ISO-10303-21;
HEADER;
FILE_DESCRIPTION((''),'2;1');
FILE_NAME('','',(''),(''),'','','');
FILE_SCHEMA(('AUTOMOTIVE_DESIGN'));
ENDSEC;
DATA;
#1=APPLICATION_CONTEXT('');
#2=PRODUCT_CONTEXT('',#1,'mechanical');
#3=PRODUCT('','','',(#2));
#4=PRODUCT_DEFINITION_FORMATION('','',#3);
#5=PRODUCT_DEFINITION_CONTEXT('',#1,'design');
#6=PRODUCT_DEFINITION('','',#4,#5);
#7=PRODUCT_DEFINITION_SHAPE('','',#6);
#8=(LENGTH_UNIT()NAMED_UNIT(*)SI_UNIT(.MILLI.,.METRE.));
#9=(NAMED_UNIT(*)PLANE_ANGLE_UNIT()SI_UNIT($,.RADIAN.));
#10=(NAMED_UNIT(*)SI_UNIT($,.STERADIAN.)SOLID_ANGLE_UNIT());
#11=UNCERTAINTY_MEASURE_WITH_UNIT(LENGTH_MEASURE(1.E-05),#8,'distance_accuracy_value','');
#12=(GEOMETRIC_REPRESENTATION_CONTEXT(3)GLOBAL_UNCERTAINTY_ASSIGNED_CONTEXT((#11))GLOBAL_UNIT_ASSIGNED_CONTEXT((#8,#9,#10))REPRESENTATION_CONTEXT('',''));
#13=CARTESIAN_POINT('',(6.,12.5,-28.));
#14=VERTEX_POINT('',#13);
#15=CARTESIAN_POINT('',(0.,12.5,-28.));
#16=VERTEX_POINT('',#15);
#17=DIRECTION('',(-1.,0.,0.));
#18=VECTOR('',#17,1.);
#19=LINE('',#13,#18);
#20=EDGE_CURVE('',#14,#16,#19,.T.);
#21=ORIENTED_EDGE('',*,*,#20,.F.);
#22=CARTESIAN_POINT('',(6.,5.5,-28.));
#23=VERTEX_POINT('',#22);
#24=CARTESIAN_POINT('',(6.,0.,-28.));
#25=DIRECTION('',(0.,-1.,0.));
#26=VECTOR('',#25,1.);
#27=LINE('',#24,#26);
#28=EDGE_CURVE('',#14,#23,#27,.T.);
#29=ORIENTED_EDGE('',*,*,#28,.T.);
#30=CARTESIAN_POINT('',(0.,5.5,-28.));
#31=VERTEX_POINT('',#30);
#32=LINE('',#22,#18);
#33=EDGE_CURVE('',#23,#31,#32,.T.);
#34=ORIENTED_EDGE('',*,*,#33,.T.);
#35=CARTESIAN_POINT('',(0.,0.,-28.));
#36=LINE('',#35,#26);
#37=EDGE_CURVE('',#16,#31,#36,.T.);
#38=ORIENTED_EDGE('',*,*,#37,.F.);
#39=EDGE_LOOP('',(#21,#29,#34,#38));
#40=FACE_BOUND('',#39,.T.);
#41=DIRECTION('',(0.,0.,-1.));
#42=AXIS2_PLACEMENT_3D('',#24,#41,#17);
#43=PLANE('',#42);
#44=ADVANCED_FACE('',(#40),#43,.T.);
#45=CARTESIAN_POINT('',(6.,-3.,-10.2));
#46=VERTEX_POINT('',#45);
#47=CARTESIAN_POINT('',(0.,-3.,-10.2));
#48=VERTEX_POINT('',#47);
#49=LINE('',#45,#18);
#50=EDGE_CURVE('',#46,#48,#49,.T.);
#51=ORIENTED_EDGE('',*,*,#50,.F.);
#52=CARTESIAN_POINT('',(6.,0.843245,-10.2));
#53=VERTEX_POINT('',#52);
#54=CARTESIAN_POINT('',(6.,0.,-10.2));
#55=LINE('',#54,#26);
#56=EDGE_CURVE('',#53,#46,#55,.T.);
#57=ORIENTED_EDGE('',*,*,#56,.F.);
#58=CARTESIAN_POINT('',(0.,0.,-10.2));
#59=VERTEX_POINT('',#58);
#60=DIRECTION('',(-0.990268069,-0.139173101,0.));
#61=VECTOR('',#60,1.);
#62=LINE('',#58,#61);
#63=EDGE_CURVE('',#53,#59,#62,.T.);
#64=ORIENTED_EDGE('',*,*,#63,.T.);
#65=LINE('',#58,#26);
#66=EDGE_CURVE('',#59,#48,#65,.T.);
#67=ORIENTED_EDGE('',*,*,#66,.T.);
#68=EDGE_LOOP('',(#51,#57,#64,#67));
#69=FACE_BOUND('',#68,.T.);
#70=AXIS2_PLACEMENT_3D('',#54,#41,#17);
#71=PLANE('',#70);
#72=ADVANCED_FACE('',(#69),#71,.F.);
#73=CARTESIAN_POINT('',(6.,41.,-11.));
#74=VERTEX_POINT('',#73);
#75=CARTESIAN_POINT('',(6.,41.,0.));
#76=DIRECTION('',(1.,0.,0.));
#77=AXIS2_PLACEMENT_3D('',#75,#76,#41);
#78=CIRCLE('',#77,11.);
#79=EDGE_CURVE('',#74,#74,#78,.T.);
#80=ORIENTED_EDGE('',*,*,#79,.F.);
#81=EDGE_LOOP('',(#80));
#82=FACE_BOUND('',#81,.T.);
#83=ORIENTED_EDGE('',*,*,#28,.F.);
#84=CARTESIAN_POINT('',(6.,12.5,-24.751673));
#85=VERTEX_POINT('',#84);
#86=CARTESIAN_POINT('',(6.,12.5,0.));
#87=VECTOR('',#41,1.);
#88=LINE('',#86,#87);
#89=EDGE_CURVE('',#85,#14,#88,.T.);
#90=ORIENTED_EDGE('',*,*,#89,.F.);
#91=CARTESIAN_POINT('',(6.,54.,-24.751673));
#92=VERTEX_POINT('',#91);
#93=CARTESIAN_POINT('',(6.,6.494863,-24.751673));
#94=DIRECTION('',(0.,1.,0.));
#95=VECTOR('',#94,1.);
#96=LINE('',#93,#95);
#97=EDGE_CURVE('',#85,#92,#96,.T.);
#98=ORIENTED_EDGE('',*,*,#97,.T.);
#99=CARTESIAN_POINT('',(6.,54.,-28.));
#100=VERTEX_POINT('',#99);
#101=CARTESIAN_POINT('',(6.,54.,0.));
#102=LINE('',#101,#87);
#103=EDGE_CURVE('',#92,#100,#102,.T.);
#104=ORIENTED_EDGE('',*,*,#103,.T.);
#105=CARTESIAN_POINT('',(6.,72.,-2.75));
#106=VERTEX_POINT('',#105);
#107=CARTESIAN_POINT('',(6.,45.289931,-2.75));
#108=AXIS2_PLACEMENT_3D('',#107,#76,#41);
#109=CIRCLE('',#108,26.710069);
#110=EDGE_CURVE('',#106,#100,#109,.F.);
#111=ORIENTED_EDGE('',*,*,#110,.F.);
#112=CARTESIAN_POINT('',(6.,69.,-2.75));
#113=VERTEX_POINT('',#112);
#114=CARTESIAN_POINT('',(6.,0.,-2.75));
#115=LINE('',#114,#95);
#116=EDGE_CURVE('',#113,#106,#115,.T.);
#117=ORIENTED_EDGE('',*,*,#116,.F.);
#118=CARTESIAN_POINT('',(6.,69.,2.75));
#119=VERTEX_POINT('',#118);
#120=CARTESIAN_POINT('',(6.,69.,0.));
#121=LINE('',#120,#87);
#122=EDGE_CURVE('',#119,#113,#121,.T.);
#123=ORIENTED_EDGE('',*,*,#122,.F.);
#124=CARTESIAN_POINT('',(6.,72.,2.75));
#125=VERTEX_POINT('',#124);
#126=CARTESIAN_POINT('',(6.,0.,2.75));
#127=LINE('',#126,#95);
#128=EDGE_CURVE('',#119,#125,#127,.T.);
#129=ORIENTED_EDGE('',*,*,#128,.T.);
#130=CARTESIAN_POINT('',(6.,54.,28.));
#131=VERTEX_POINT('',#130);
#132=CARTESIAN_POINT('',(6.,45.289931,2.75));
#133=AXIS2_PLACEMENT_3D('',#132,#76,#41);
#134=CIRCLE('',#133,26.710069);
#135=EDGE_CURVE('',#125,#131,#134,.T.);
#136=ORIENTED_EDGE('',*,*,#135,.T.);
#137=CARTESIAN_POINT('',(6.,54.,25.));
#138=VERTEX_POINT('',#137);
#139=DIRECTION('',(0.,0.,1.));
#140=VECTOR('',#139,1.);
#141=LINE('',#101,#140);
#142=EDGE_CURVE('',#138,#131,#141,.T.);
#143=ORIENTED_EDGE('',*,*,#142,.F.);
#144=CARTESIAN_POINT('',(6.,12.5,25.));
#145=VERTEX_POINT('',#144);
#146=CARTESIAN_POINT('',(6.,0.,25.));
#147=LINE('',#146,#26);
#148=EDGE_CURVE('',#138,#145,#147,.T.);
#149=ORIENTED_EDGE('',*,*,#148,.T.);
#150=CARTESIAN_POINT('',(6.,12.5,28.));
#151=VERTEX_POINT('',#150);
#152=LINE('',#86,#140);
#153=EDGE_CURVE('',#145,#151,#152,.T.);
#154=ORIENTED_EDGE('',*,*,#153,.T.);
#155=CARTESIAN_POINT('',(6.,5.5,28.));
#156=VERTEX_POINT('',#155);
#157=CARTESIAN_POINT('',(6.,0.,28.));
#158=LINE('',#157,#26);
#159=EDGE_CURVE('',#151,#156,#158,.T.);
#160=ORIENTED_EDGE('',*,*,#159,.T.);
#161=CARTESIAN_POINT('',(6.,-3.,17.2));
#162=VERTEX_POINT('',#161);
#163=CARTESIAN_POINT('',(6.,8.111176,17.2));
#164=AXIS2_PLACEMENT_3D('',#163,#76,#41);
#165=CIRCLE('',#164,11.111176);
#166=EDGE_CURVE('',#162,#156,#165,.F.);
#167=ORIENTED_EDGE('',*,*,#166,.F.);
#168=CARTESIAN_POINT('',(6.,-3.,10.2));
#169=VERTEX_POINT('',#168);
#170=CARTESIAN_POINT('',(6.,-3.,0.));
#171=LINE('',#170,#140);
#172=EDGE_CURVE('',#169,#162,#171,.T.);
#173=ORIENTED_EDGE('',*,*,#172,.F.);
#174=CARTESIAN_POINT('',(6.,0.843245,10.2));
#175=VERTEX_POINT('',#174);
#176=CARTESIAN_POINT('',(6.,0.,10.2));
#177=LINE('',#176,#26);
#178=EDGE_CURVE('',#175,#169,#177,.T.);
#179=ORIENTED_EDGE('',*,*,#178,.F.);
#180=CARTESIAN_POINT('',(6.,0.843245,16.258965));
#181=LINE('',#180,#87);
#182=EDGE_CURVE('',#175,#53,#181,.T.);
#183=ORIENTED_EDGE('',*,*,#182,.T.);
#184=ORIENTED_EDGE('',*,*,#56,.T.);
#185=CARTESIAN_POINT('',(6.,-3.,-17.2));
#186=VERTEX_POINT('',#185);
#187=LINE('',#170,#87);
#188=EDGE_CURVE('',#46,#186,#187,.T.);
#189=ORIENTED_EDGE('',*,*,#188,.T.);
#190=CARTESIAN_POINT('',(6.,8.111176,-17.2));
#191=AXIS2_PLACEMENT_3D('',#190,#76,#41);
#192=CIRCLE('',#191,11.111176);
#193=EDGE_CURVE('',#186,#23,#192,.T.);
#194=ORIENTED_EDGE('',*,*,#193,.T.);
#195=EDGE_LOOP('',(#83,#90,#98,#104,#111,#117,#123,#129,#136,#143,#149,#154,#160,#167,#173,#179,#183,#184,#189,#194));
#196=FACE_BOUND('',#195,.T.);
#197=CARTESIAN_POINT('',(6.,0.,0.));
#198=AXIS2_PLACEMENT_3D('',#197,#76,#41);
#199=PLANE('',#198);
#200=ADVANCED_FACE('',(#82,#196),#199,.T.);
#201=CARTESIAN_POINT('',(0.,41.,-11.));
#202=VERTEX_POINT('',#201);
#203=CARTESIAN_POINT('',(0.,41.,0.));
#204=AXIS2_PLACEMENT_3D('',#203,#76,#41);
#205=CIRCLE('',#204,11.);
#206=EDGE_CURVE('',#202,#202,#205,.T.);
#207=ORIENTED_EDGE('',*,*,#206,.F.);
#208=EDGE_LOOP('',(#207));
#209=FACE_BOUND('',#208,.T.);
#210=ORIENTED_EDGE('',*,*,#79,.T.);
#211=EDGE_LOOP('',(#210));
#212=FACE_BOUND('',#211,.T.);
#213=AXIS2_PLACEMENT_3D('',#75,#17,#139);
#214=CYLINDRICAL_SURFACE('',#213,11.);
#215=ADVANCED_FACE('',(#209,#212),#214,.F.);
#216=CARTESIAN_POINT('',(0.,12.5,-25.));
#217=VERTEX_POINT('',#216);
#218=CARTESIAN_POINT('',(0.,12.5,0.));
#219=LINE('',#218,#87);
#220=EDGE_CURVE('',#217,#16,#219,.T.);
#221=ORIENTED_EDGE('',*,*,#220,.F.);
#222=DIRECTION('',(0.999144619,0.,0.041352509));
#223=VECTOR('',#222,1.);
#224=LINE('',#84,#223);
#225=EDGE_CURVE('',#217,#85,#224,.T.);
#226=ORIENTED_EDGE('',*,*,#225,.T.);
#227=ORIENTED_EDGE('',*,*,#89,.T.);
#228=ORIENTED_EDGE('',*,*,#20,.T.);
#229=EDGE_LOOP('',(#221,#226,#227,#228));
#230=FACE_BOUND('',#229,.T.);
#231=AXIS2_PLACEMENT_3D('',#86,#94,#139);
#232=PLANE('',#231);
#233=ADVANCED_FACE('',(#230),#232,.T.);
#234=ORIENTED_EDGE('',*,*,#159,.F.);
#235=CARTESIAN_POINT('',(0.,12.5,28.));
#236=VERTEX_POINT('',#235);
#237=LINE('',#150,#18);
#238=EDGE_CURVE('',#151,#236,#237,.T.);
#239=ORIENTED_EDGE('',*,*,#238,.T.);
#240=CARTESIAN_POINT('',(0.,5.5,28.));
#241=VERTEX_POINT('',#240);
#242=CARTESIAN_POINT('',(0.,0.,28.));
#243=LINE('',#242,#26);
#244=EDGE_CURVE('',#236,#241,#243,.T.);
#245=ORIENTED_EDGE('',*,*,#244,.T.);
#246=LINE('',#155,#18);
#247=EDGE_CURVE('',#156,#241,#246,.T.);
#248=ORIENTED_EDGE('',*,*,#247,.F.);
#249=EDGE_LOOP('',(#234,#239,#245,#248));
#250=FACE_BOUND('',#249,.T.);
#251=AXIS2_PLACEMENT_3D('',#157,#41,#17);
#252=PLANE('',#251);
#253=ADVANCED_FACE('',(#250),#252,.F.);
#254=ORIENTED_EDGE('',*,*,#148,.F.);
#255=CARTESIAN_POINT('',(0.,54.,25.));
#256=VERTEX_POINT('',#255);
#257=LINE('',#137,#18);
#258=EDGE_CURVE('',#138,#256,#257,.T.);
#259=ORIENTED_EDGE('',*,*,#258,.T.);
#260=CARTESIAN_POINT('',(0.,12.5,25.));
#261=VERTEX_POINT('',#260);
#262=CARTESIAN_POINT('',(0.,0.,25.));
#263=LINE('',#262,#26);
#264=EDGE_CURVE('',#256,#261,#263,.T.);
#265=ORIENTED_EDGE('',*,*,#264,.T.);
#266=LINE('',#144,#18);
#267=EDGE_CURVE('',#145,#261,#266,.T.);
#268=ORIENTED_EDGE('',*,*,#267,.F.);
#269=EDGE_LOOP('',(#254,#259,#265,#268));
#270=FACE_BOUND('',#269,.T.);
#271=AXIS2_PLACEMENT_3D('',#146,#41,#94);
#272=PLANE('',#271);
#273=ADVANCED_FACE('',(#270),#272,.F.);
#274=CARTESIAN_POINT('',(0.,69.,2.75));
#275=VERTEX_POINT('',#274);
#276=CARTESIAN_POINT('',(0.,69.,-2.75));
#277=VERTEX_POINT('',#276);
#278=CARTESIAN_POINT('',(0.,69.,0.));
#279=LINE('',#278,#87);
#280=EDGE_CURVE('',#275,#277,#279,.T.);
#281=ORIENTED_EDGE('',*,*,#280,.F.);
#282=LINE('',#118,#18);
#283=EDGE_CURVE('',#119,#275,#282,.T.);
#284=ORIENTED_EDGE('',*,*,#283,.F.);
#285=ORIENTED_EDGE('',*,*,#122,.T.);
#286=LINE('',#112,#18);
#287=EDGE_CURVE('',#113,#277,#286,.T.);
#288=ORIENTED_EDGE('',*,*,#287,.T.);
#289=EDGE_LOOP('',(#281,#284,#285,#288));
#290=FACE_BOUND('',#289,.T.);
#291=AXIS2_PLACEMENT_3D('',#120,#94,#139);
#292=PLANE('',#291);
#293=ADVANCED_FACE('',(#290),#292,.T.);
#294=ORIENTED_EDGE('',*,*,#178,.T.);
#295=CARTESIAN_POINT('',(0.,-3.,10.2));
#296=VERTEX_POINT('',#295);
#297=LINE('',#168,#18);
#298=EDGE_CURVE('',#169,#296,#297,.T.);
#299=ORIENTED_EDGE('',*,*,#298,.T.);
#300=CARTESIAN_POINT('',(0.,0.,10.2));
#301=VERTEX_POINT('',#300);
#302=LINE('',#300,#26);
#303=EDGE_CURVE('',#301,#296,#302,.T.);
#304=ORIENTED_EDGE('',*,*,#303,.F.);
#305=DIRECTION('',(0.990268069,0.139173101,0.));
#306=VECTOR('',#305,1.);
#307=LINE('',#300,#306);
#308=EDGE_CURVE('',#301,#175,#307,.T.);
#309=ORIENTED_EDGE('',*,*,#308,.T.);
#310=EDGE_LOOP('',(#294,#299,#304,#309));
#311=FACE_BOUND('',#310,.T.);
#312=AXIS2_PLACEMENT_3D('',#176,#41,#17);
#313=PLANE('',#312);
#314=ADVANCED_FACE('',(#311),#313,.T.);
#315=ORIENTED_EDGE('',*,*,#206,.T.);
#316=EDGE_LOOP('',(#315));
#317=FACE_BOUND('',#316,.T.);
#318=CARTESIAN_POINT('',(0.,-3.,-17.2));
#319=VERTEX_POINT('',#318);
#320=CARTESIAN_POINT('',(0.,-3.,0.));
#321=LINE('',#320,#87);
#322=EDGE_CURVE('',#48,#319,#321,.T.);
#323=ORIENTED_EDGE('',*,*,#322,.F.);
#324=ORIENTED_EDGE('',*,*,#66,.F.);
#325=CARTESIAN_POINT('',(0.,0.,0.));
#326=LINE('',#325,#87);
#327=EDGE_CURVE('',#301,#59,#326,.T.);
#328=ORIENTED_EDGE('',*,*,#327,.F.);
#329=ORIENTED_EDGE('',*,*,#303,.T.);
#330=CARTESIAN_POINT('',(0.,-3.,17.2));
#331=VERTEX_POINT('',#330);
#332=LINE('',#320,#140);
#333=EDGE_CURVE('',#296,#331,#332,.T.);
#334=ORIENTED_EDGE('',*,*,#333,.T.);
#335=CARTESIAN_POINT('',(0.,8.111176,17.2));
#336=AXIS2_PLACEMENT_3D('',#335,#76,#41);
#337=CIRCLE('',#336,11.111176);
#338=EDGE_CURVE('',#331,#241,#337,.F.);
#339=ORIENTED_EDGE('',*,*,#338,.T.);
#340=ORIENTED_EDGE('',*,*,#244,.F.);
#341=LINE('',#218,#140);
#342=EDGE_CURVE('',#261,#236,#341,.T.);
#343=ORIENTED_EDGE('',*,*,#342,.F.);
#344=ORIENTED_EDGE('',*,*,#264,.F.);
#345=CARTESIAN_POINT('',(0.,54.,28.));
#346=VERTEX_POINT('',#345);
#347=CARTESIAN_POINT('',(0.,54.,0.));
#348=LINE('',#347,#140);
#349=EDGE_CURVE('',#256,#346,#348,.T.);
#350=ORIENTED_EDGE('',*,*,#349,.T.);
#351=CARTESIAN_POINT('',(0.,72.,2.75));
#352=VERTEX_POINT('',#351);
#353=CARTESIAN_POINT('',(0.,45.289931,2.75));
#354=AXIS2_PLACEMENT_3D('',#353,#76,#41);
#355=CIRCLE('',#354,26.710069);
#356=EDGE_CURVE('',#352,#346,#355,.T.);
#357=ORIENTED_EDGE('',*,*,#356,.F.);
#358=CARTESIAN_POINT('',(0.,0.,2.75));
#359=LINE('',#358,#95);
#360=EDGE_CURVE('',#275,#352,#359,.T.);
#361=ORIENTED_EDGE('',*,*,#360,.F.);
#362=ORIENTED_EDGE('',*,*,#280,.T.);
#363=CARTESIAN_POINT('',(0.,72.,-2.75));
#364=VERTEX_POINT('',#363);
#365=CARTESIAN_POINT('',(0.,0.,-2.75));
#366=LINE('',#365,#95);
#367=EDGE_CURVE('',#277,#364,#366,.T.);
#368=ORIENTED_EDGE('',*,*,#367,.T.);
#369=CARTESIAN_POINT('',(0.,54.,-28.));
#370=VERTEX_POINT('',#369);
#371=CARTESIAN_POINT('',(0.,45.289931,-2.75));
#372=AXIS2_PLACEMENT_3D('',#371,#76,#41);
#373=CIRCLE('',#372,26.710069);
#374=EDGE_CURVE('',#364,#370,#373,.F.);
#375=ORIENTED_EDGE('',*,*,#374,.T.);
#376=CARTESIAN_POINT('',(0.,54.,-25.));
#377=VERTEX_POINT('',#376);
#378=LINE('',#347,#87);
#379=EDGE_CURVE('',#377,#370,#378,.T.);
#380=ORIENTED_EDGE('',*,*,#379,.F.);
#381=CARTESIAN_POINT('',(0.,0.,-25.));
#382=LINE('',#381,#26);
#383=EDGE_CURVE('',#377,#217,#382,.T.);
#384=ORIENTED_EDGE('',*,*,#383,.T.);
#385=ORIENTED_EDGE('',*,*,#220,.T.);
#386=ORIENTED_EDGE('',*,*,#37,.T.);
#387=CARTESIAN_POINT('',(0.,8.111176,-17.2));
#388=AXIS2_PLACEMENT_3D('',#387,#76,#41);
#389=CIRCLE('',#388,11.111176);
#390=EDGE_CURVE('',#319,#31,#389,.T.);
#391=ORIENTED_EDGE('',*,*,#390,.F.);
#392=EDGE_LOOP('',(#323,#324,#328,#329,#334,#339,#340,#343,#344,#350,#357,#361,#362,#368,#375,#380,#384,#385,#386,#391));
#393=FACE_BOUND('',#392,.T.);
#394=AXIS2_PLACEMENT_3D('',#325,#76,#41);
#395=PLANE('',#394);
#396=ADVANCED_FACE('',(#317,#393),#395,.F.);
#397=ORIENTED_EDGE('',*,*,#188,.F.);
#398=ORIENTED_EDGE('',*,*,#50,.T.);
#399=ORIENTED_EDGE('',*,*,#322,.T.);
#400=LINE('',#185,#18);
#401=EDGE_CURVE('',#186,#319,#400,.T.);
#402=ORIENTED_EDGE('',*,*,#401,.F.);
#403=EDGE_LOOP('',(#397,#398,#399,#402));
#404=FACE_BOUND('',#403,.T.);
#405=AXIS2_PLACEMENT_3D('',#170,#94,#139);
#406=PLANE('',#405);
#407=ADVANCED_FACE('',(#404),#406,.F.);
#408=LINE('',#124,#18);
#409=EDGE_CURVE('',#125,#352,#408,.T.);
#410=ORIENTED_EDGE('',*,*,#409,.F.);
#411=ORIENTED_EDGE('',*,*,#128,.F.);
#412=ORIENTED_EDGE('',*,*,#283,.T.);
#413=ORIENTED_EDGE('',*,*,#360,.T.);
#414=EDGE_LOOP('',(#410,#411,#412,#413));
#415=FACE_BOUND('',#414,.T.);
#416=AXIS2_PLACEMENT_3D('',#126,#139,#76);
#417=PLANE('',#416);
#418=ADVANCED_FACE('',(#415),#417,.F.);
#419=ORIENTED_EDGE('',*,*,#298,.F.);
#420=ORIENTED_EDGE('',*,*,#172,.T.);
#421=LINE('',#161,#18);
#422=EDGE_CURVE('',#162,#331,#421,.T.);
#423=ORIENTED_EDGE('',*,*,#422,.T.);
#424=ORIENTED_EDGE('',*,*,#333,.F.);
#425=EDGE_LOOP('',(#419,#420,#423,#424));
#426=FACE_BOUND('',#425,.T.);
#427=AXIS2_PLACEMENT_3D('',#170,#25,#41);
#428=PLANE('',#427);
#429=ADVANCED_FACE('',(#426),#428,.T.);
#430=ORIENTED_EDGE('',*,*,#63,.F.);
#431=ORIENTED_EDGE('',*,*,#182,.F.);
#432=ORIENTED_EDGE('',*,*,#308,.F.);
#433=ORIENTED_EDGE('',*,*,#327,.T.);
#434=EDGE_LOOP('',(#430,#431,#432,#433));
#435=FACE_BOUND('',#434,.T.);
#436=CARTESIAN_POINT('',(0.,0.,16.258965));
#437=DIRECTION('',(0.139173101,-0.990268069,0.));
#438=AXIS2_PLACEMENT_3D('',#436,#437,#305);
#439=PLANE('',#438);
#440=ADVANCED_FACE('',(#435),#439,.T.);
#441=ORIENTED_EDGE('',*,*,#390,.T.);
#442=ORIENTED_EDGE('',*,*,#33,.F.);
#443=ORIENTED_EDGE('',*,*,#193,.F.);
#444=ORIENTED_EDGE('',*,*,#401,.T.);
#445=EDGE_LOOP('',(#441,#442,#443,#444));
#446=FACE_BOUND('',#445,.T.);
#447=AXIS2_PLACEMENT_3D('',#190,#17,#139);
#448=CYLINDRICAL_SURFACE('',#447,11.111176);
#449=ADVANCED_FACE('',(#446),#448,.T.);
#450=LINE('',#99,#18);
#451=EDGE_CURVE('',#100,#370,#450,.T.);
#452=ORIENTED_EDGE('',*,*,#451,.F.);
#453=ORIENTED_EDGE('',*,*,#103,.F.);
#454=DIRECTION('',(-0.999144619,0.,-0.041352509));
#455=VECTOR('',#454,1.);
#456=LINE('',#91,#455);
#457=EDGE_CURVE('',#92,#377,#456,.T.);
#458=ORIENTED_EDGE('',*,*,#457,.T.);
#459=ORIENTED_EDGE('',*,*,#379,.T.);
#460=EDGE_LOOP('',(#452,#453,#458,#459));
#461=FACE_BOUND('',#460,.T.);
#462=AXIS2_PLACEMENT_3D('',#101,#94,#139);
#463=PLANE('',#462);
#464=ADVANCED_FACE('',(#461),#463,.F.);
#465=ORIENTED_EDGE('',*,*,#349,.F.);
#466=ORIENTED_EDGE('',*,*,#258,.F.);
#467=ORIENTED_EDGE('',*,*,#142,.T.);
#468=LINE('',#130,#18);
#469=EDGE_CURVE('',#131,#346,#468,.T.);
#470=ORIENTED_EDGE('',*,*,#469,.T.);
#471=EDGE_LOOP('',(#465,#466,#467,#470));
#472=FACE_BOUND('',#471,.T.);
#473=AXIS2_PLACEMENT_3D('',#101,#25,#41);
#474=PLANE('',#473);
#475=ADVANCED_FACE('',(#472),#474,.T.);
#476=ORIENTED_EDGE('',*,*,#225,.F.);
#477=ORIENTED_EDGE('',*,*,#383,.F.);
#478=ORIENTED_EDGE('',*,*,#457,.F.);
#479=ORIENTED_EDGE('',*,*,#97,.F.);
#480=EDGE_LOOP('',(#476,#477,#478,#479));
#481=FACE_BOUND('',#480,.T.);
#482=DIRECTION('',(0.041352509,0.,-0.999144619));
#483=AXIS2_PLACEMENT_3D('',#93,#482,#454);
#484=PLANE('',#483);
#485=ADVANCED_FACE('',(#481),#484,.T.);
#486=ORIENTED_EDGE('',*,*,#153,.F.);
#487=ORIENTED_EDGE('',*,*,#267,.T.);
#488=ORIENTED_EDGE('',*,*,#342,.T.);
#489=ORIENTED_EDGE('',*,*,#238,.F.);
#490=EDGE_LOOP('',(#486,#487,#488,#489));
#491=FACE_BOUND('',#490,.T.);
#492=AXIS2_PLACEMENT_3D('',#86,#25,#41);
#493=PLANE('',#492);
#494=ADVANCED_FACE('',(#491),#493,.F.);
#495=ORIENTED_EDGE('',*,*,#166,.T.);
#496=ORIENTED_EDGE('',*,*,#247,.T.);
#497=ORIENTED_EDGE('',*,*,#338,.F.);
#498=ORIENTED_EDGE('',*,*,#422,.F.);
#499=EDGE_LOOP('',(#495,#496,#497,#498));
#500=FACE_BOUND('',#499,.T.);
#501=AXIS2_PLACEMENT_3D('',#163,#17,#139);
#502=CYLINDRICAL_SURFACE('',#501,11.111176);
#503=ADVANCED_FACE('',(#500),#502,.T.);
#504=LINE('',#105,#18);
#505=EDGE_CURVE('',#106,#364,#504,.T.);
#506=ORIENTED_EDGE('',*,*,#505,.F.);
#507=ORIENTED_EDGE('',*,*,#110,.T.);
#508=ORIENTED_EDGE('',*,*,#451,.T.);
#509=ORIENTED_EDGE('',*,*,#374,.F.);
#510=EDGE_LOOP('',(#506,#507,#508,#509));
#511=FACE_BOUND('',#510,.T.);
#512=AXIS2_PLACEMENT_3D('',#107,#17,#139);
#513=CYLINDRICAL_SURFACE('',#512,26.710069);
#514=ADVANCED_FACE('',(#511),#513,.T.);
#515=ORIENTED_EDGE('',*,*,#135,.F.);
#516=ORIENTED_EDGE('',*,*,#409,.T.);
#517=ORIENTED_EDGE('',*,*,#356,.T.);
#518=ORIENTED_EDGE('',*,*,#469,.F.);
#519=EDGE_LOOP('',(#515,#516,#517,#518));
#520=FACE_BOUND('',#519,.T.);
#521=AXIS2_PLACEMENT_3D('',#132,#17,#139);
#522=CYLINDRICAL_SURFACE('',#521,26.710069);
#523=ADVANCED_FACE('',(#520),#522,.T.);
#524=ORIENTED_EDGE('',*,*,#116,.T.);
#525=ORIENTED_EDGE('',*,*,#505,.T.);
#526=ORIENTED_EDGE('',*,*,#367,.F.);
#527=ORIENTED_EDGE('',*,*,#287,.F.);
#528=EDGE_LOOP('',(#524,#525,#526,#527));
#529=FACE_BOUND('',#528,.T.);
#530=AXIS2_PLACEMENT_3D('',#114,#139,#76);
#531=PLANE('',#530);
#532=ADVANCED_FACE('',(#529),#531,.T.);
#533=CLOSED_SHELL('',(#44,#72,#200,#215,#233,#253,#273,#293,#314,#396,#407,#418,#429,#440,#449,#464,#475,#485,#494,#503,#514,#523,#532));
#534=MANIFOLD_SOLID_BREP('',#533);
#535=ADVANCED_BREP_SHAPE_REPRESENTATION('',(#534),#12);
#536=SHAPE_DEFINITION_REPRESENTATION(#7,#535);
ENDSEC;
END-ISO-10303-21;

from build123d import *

# Parameters (mm, degrees)
SKETCH1_R           = 11
BOSS_EXTRUDE1_DEPTH = 6
CUT_EXTRUDE3_DEPTH  = 41.5
CUT_EXTRUDE5_DEPTH  = 20.4


with BuildPart() as part:
    # Sketch1 → Boss-Extrude1 (new body)
    with BuildSketch(Plane(origin=(0, 0, 0), x_dir=(0, 0, -1), z_dir=(1, 0, 0))):
        with BuildLine():
            Line((-10.2, -3), (-10.2, 0))
            Line((-10.2, 0), (10.2, 0))
            Line((10.2, 0), (10.2, -3))
            Line((10.2, -3), (17.2, -3))
            ThreePointArc((17.2, -3), (24.071862921, -0.620131711), (28, 5.5))
            Line((28, 5.5), (28, 12.5))
            Line((28, 12.5), (25, 12.5))
            Line((25, 12.5), (25, 41))
            Line((25, 41), (25, 54))
            Line((25, 54), (28, 54))
            ThreePointArc((28, 54), (18.254535627, 67.039348587), (2.75, 72))
            Line((2.75, 72), (2.75, 69))
            Line((2.75, 69), (-2.75, 69))
            Line((-2.75, 69), (-2.75, 72))
            ThreePointArc((-2.75, 72), (-18.254535627, 67.039348587), (-28, 54))
            Line((-28, 54), (-25, 54))
            Line((-25, 54), (-25, 41))
            Line((-25, 41), (-25, 12.5))
            Line((-25, 12.5), (-28, 12.5))
            Line((-28, 12.5), (-28, 5.5))
            ThreePointArc((-28, 5.5), (-24.071862921, -0.620131711), (-17.2, -3))
            Line((-17.2, -3), (-10.2, -3))
        make_face()
        with Locations((0, 41)):
            Circle(SKETCH1_R, mode=Mode.SUBTRACT)
    extrude(amount=BOSS_EXTRUDE1_DEPTH)

    # Sketch5 → Cut-Extrude3 (cut)
    with BuildSketch(Plane.XZ.offset(-54)):
        Polygon((0, -25), (6, -25), (6, -24.751672534), align=None)
    extrude(amount=CUT_EXTRUDE3_DEPTH, mode=Mode.SUBTRACT)

    # Sketch6 → Cut-Extrude5 (cut)
    with BuildSketch(Plane.XY.offset(-10.2)):
        Polygon((0, 0), (6, 0), (6, 0.843245008), align=None)
    extrude(amount=CUT_EXTRUDE5_DEPTH, mode=Mode.SUBTRACT)


solid = part.part
